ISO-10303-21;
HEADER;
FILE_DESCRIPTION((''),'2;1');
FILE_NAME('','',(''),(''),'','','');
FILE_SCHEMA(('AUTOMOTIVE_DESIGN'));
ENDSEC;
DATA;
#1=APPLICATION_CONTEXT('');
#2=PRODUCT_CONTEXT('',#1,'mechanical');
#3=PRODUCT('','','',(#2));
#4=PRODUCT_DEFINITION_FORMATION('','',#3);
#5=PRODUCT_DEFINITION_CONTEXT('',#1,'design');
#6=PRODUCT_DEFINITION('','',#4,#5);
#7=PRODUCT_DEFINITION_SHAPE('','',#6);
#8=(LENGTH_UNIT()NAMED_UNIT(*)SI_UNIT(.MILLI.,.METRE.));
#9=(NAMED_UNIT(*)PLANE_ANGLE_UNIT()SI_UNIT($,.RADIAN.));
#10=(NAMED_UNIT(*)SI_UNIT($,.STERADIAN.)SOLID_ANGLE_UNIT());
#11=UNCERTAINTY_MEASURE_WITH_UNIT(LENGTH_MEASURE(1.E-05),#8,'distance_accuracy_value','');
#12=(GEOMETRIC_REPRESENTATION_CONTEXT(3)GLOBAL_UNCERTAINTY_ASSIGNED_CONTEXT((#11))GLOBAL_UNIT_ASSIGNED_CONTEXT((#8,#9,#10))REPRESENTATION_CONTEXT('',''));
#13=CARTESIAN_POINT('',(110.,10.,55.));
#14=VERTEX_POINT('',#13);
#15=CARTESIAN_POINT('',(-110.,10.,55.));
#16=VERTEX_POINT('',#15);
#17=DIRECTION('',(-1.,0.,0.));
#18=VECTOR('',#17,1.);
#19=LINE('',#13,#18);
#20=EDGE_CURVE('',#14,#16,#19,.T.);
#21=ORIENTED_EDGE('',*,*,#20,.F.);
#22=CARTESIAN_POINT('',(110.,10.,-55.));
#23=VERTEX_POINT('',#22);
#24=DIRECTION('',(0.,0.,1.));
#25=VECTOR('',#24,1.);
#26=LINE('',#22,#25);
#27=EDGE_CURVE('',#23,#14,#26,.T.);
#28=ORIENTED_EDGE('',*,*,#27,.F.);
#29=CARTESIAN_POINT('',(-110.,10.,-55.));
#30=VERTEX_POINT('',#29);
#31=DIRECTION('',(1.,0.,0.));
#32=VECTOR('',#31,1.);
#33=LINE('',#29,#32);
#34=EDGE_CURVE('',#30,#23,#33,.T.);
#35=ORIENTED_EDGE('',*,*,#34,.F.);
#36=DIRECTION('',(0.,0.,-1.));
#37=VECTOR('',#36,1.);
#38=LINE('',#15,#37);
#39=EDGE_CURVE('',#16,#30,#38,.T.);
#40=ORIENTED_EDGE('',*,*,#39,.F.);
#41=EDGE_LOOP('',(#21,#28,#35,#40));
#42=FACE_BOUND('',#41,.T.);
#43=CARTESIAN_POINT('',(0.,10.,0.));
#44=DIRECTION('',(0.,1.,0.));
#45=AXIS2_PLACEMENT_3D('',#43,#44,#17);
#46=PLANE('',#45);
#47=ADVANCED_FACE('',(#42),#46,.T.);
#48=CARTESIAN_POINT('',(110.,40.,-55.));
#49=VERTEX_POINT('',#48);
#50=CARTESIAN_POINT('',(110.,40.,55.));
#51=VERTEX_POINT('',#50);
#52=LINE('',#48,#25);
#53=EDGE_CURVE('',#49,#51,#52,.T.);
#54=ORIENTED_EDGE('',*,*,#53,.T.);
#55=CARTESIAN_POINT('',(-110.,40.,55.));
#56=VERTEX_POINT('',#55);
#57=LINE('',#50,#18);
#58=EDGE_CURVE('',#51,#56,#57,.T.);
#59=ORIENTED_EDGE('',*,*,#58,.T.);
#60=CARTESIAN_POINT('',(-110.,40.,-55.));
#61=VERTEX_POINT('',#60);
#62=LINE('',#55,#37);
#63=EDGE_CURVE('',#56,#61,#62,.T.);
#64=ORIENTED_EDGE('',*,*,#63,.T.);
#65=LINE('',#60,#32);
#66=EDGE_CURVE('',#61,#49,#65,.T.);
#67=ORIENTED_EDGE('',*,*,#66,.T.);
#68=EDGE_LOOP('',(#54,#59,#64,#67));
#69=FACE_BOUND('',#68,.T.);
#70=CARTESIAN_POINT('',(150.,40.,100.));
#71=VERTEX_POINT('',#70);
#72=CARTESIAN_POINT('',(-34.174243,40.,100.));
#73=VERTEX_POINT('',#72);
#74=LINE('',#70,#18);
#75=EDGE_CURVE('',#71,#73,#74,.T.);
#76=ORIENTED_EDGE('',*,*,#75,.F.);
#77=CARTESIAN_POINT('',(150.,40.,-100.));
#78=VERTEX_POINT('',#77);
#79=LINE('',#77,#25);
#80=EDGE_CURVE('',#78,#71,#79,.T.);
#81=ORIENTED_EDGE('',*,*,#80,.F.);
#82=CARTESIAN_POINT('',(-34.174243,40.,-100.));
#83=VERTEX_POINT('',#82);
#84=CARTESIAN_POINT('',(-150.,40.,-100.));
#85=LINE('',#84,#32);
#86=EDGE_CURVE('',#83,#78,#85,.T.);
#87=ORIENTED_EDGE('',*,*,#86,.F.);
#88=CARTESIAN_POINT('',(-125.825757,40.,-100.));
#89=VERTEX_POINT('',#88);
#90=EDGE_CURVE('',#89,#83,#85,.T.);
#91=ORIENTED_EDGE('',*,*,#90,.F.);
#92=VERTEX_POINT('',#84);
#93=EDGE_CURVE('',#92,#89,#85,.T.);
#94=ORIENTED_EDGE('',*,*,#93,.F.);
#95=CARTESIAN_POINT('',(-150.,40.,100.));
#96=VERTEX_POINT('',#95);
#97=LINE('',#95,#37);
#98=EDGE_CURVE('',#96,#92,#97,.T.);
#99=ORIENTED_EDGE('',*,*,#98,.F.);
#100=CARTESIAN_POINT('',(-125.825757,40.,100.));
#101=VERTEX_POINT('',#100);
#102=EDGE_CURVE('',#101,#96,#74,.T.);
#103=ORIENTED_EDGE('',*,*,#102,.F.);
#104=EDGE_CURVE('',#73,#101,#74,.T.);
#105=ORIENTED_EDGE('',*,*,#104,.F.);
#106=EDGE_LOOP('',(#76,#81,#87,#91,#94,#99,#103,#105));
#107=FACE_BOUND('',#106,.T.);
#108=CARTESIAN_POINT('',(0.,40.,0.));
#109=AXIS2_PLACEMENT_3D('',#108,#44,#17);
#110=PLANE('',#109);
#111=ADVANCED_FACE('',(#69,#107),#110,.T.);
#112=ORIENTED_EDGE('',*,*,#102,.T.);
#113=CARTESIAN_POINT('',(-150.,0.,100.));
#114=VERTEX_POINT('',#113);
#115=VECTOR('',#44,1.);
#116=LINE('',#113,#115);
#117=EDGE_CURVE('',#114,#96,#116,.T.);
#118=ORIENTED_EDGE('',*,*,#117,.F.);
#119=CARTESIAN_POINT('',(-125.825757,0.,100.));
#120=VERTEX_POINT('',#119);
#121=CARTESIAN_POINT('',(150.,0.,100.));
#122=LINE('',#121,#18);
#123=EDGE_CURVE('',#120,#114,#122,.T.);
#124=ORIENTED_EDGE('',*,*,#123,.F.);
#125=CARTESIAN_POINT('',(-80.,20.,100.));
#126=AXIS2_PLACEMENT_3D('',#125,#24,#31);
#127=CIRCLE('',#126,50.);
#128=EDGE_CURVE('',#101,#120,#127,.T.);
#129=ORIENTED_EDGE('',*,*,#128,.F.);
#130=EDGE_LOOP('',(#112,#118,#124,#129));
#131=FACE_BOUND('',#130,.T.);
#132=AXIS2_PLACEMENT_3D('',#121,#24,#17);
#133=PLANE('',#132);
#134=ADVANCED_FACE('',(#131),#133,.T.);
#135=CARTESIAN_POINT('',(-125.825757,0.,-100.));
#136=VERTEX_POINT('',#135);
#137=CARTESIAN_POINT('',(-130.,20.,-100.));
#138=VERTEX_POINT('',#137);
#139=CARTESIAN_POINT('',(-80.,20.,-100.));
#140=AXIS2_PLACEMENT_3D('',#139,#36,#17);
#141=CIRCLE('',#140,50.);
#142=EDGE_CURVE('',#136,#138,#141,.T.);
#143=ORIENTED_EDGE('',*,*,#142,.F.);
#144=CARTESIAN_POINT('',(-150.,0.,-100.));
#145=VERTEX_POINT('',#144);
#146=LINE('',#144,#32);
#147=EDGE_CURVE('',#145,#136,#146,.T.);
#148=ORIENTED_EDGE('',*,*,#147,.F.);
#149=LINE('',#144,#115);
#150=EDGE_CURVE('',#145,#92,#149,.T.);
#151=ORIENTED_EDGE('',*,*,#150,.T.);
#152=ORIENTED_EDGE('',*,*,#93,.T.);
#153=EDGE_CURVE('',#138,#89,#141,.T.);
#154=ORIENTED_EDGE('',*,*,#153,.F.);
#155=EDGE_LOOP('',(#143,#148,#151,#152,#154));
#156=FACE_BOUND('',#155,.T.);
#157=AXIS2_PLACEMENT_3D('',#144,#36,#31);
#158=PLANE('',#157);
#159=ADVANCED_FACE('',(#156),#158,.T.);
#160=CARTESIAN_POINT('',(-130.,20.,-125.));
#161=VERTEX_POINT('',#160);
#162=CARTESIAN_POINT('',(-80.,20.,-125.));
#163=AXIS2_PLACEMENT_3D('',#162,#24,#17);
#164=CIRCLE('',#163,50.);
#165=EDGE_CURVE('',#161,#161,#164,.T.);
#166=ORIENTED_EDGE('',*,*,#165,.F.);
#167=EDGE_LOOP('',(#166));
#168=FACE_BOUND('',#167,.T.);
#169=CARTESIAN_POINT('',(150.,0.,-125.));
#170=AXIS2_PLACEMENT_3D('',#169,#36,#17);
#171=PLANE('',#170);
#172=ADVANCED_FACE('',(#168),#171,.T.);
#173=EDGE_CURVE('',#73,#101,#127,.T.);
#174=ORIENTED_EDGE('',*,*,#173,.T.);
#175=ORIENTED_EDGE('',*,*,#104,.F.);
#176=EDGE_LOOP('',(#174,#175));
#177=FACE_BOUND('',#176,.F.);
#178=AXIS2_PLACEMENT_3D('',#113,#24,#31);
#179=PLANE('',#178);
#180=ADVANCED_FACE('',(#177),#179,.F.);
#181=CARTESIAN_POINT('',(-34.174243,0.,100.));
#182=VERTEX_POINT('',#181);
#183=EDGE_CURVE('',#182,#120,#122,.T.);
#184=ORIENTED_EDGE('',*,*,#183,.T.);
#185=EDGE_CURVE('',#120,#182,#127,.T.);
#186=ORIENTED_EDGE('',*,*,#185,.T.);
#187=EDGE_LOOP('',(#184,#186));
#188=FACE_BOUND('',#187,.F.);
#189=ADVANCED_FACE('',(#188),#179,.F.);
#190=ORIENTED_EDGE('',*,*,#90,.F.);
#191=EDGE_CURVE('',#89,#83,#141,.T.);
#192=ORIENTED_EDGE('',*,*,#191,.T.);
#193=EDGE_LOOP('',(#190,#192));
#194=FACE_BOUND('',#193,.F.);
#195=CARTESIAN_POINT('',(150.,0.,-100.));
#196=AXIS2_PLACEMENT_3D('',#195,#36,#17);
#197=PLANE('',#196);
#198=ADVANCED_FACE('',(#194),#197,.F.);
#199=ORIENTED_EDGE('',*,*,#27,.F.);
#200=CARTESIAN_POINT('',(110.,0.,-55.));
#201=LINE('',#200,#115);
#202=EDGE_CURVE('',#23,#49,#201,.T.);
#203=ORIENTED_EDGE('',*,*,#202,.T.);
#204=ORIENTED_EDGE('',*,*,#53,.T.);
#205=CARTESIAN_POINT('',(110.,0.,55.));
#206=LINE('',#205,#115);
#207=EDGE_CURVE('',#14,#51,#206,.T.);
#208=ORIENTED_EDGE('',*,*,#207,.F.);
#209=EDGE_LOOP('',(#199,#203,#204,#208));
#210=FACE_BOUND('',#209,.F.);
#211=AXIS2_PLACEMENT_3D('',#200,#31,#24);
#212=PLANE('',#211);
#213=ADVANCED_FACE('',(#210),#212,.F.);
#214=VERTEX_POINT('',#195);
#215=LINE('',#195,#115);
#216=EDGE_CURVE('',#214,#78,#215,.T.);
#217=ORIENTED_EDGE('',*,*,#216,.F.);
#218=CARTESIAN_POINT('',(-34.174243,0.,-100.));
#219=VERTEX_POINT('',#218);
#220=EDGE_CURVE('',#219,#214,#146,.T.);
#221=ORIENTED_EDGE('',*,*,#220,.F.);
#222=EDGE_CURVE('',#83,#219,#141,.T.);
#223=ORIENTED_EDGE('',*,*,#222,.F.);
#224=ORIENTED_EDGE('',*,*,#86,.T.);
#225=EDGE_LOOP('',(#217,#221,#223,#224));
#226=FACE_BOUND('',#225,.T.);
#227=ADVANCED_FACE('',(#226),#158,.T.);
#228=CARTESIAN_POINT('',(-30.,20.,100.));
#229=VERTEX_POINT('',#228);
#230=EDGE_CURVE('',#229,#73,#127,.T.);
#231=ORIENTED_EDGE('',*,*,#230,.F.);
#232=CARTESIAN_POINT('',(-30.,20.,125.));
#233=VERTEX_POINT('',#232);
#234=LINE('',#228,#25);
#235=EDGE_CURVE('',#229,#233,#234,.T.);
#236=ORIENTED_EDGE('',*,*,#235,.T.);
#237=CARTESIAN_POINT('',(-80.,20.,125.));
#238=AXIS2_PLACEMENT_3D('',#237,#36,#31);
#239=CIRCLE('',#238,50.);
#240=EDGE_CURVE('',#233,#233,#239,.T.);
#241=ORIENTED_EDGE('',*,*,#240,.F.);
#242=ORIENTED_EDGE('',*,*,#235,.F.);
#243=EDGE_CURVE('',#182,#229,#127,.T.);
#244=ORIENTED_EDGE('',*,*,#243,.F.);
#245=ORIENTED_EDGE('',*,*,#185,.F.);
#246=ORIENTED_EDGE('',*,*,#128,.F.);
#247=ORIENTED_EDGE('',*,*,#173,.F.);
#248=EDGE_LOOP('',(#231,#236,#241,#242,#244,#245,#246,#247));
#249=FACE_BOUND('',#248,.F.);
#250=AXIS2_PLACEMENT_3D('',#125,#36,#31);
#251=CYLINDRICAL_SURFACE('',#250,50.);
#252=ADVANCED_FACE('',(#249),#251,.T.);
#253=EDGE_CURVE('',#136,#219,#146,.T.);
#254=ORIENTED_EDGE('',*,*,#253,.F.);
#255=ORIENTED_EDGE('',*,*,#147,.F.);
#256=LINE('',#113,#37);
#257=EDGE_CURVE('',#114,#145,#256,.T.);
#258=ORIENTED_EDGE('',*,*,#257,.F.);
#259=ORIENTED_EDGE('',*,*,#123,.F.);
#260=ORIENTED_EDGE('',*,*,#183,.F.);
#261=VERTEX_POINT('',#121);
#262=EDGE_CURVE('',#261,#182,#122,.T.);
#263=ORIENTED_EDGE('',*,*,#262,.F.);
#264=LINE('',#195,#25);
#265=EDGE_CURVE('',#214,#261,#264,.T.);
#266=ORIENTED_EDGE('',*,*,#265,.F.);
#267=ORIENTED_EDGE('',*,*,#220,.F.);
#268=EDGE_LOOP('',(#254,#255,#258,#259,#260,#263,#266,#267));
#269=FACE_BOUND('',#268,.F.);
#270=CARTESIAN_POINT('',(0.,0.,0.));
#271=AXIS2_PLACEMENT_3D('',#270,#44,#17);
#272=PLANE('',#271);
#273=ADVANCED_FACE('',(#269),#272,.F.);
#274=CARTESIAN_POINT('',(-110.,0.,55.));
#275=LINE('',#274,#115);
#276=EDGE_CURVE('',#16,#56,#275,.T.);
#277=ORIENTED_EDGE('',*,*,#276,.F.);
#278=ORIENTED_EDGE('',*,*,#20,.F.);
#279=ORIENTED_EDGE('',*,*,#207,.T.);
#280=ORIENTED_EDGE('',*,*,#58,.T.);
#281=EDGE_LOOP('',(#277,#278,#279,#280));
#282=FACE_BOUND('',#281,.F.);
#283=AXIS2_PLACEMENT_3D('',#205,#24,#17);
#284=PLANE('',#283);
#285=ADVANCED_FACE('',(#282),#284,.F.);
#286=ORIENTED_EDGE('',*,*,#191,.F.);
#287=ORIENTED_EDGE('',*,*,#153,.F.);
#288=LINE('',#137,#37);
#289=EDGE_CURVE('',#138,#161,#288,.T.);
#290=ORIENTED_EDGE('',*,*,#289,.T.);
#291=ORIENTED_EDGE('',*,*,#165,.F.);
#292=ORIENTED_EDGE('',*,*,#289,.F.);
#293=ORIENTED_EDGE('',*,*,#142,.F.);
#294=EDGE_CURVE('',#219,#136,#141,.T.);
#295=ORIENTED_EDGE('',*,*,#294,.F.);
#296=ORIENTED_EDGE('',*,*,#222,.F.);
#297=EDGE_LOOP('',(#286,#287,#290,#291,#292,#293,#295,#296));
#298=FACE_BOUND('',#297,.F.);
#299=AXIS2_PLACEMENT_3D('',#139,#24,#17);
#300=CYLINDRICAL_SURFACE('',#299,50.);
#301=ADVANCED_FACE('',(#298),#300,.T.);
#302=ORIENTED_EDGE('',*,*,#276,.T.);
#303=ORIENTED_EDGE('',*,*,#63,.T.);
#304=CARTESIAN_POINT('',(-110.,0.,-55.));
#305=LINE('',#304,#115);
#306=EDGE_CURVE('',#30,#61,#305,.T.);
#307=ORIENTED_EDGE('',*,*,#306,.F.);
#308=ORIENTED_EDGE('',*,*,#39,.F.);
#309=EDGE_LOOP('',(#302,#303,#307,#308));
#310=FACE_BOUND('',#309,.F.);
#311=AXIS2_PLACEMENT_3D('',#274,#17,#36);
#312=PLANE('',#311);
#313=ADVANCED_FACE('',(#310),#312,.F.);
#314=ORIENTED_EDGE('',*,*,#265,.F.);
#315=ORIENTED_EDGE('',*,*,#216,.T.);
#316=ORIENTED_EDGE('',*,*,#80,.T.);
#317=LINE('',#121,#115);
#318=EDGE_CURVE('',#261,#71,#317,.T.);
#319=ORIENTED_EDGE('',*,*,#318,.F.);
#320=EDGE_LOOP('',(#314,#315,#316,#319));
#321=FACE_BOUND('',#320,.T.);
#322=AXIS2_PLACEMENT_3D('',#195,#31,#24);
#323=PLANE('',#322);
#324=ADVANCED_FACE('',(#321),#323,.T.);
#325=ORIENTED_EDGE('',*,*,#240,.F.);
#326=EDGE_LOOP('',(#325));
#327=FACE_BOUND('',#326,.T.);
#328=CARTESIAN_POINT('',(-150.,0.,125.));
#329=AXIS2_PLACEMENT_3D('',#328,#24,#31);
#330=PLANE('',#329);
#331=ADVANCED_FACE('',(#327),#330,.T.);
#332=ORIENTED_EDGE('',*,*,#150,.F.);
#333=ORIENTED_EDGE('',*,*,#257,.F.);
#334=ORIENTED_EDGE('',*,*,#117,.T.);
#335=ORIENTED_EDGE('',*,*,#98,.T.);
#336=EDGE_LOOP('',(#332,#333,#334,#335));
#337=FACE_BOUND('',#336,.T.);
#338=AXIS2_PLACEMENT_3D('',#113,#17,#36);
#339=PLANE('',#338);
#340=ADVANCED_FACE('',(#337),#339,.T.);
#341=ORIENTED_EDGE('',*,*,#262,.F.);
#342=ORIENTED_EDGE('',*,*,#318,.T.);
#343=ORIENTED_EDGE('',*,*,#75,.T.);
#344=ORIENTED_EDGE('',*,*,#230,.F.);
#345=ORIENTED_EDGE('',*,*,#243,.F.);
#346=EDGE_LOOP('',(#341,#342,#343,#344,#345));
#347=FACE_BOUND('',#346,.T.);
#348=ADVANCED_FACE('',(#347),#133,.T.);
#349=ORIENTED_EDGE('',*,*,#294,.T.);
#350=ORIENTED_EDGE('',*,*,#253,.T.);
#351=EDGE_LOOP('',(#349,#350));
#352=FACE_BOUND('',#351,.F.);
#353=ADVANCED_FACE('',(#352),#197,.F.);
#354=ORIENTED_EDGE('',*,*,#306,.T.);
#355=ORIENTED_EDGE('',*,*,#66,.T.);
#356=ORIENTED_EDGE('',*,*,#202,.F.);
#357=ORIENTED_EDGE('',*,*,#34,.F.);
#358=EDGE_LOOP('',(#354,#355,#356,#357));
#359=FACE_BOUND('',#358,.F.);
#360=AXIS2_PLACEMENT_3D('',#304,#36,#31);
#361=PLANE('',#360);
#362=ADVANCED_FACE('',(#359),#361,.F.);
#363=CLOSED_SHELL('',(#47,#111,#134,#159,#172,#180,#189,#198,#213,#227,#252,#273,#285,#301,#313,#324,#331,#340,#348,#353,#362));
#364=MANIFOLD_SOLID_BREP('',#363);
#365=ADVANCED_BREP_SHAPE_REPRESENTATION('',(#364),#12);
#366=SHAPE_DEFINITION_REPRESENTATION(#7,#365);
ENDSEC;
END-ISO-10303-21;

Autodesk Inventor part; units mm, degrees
ref_plane "YZ Plane" through (0, 0, 0) normal (1, 0, 0) x (0, 1, 0)
ref_plane "XZ Plane" through (0, 0, 0) normal (0, 1, 0) x (-1, 0, 0)
ref_plane "XY Plane" through (0, 0, 0) normal (0, 0, 1) x (1, 0, 0)
sketch "Sketch1" plane through (0, 0, 0) normal (0, 1, 0) x (-1, 0, 0)
  line L0 (-110, 55) -> (110, 55)
  line L1 (110, 55) -> (110, -55)
  line L2 (110, -55) -> (-110, -55)
  line L3 (-110, -55) -> (-110, 55)
  line L4 (-110, 55) -> (110, -55) construction
  line L5 (110, 55) -> (-110, -55) construction
  line L6 (-150, 100) -> (150, 100)
  line L7 (150, 100) -> (150, -100)
  line L8 (150, -100) -> (-150, -100)
  line L9 (-150, -100) -> (-150, 100)
  line L10 (-150, 100) -> (150, -100) construction
  line L11 (150, 100) -> (-150, -100) construction
  point P0 (0, 0)
  dimension "d0" = 220
  dimension "d1" = 110
  dimension "d2" = 300
  dimension "d3" = 200
extrude "Extrusion1" add sketch "Sketch1" along normal blind 10 contours L0 L1 L2 L3
extrude "Extrusion2" add sketch "Sketch1" along normal blind 40
sketch "Sketch2" plane through (-150, 0, 100) normal (0, 0, 1) x (1, 0, 0)
  line L0 (300, 0) -> (0, 0) projected
  line L1 (300, 0) -> (300, 40) projected
  line L2 (0, 0) -> (300, 0)
  line L3 (300, 0) -> (300, 40)
  line L4 (300, 40) -> (0, 40)
  line L5 (0, 40) -> (0, 0)
  circle A0 centre (70, 20) radius 50
  point P0 (150, 0)
  dimension "d8" = 100
sketch "Sketch3" plane through (150, 0, -100) normal (0, 0, -1) x (-1, 0, 0)
  line L0 (300, 0) -> (300, 40) projected
  line L1 (0, 40) -> (300, 40) projected
  line L2 (300, 0) -> (0, 0)
  line L3 (0, 0) -> (0, 40)
  line L4 (0, 40) -> (300, 40)
  line L5 (300, 40) -> (300, 0)
  line L6 (300, 0) -> (230, 0) construction
  line L7 (230, 0) -> (230, 20) construction
  line L8 (230, 20) -> (300, 20) construction
  line L9 (300, 20) -> (300, 0) construction
  circle A0 centre (230, 20) radius 50
  point P0 (150, 0)
  dimension "d9" = 70
  dimension "d10" = 20
  dimension "d11" = 100
extrude "Extrusion3" add sketch "Sketch3" along normal blind 25 contours A0 L2 | L2 A0 L1 | L1 A0
extrude "Extrusion4" add sketch "Sketch2" along normal blind 25 contours A0 L0 | L0 A0 L4 | L4 A0
properties part number "Chassis"
